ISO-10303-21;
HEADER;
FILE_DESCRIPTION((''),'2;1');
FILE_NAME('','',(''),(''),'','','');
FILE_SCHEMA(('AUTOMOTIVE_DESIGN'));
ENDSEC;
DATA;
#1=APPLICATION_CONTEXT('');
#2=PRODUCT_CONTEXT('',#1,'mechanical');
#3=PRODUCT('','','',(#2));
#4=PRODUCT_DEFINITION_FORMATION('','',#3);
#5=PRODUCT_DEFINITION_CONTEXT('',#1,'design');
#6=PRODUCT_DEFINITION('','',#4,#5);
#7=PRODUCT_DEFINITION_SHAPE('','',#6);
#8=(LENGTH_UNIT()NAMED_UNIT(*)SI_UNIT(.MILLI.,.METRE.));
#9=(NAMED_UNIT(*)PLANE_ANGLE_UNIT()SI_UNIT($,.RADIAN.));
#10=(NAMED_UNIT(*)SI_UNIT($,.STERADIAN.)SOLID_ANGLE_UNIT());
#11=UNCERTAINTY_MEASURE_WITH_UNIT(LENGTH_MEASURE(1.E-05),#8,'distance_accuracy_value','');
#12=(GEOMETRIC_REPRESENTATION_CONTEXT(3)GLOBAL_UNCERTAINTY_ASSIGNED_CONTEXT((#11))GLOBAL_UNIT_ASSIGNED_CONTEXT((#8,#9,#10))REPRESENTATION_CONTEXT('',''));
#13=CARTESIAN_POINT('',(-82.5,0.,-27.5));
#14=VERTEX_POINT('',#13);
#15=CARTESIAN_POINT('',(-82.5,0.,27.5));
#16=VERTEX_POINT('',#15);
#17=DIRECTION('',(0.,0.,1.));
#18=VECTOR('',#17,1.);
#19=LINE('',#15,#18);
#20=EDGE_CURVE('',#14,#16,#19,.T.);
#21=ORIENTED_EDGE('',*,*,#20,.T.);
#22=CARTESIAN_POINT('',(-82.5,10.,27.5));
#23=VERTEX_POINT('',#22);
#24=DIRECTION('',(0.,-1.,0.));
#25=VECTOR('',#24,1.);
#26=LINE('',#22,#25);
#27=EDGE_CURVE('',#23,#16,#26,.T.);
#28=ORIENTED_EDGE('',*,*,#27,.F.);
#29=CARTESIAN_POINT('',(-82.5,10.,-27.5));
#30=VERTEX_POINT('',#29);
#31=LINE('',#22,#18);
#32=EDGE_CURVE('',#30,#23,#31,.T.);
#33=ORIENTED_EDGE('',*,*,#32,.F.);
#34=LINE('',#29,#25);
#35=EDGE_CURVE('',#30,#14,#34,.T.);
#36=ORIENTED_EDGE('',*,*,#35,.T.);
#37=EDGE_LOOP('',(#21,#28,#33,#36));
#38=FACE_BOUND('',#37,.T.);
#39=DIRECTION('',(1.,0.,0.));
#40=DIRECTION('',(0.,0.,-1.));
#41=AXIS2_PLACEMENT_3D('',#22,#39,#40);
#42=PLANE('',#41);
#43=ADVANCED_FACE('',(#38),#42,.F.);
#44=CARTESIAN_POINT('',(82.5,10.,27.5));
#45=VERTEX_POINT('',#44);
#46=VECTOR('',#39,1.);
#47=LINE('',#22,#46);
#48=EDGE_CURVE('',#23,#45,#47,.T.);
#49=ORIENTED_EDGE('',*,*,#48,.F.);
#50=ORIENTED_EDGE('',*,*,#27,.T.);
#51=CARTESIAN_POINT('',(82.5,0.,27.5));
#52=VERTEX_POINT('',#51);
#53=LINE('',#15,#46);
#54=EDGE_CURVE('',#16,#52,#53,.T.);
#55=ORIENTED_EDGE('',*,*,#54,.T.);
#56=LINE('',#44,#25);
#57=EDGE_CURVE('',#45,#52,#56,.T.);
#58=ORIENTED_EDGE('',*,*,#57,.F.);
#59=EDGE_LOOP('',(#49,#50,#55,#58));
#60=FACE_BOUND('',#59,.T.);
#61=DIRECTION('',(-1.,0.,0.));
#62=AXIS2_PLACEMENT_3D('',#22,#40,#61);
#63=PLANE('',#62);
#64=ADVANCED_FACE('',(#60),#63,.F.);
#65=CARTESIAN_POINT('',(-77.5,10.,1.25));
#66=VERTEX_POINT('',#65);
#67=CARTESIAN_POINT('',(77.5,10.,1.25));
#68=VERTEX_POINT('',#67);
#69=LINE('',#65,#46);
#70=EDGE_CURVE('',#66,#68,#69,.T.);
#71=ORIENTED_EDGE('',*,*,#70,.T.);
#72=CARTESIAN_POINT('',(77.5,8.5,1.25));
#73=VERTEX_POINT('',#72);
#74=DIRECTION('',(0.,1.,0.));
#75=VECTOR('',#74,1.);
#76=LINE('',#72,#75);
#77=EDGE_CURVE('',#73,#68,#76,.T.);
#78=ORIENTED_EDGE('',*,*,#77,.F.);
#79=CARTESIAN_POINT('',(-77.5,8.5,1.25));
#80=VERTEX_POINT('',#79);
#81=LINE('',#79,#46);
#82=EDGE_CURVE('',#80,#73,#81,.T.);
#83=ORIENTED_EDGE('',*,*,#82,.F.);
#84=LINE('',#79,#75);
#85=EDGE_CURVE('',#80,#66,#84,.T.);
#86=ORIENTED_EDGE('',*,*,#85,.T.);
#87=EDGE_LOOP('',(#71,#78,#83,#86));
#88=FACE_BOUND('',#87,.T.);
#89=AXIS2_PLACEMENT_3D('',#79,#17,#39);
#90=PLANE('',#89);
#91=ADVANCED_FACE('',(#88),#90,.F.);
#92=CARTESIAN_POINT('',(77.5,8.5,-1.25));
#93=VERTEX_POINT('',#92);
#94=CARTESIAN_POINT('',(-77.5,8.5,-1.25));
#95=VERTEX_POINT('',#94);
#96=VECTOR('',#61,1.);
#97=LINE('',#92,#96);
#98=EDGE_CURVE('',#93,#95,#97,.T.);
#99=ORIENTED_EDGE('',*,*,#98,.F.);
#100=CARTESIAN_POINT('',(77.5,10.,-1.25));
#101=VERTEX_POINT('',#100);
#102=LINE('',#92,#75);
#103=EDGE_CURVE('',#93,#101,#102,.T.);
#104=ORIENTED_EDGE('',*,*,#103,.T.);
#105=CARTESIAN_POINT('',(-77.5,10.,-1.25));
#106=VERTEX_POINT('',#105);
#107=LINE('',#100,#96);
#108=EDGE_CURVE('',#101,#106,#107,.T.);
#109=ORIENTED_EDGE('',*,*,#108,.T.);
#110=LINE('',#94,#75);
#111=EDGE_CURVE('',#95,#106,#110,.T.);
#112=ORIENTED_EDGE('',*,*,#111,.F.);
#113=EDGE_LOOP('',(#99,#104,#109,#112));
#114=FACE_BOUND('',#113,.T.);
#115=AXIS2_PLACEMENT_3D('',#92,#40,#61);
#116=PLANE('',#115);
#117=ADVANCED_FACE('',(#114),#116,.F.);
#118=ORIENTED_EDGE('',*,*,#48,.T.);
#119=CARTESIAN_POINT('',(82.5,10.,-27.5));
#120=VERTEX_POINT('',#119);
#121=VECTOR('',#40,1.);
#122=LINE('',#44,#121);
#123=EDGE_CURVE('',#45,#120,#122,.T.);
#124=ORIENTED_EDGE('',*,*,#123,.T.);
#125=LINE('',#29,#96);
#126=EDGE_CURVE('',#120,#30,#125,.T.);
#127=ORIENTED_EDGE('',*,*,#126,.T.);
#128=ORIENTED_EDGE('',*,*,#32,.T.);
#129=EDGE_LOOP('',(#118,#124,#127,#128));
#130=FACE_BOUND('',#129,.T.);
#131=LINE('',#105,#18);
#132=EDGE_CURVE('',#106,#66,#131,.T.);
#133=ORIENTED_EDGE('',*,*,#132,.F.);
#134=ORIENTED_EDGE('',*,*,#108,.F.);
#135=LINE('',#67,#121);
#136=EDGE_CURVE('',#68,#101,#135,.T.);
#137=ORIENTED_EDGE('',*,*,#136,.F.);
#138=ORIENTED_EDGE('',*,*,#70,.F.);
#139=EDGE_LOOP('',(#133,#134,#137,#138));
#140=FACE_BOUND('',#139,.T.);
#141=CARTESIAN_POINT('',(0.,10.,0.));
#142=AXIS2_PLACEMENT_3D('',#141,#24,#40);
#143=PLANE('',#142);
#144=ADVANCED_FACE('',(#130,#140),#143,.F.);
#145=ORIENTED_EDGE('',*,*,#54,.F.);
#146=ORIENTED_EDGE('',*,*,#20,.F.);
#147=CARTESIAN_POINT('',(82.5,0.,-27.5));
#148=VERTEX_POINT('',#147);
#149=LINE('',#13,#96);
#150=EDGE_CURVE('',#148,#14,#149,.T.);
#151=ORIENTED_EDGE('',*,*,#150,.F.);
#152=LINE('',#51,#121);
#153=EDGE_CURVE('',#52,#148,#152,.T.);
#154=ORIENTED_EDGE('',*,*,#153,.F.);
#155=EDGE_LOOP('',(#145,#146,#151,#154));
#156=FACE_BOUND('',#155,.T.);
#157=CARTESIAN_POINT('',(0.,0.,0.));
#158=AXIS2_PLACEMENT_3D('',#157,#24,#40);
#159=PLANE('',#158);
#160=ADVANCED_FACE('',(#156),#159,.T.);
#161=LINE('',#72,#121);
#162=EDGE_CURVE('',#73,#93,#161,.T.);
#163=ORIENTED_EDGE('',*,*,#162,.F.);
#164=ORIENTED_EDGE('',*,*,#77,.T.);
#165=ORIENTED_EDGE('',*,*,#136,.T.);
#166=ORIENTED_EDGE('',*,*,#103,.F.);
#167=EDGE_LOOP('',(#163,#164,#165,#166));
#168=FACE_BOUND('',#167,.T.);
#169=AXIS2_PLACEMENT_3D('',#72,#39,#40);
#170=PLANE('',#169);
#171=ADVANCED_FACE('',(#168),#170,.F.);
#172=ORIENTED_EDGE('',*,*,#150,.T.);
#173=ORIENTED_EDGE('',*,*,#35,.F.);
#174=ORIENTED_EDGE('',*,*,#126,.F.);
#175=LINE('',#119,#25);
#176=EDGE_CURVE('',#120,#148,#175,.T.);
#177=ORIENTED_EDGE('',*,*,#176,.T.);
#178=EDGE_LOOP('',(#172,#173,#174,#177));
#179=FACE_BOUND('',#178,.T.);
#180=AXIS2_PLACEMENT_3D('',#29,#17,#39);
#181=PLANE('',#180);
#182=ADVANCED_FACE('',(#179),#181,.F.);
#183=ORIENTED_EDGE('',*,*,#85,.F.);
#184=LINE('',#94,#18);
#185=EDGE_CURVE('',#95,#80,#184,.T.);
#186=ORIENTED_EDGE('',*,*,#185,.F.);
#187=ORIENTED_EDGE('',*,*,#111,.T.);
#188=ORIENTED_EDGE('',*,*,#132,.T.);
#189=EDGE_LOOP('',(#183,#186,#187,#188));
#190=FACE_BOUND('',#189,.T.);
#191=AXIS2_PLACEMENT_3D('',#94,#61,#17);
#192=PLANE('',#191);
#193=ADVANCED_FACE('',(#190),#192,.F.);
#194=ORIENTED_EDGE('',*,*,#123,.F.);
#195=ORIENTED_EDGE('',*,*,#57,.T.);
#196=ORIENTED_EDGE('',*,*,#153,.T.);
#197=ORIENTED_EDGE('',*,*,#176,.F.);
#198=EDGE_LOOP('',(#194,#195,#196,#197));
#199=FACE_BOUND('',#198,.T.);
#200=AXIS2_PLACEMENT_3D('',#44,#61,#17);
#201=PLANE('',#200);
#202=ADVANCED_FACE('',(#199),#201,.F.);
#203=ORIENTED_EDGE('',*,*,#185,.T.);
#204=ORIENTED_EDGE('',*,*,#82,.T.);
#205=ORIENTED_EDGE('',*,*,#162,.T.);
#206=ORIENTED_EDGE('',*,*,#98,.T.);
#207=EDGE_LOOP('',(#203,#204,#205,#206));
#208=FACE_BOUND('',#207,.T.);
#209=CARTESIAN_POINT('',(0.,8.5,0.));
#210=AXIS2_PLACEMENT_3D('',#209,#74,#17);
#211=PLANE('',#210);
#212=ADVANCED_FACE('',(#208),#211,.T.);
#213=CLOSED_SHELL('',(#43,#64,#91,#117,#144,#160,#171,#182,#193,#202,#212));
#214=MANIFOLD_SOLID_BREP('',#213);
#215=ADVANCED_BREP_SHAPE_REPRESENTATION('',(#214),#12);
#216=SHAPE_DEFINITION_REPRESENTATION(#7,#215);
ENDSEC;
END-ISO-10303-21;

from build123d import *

# Parameters (mm, degrees)
SKETCH1_W            = 165
SKETCH1_H            = 55
BODY_DEPTH           = 10
CENTRE_CHANNEL_START = 10
SKETCH2_W            = 155
SKETCH2_H            = 2.5
CENTRE_CHANNEL_DEPTH = 1.5


with BuildPart() as part:
    # Sketch1 → Body (new body)
    with BuildSketch(Plane(origin=(0, 0, 0), x_dir=(1, 0, 0), z_dir=(0, 1, 0))):
        Rectangle(SKETCH1_W, SKETCH1_H)
    extrude(amount=BODY_DEPTH)

    # Sketch2 → Centre_Channel (cut)
    with BuildSketch(Plane(origin=(0, 0, 0), x_dir=(1, 0, 0), z_dir=(0, 1, 0)).offset(CENTRE_CHANNEL_START)):
        Rectangle(SKETCH2_W, SKETCH2_H)
    extrude(amount=-CENTRE_CHANNEL_DEPTH, mode=Mode.SUBTRACT)


solid = part.part
